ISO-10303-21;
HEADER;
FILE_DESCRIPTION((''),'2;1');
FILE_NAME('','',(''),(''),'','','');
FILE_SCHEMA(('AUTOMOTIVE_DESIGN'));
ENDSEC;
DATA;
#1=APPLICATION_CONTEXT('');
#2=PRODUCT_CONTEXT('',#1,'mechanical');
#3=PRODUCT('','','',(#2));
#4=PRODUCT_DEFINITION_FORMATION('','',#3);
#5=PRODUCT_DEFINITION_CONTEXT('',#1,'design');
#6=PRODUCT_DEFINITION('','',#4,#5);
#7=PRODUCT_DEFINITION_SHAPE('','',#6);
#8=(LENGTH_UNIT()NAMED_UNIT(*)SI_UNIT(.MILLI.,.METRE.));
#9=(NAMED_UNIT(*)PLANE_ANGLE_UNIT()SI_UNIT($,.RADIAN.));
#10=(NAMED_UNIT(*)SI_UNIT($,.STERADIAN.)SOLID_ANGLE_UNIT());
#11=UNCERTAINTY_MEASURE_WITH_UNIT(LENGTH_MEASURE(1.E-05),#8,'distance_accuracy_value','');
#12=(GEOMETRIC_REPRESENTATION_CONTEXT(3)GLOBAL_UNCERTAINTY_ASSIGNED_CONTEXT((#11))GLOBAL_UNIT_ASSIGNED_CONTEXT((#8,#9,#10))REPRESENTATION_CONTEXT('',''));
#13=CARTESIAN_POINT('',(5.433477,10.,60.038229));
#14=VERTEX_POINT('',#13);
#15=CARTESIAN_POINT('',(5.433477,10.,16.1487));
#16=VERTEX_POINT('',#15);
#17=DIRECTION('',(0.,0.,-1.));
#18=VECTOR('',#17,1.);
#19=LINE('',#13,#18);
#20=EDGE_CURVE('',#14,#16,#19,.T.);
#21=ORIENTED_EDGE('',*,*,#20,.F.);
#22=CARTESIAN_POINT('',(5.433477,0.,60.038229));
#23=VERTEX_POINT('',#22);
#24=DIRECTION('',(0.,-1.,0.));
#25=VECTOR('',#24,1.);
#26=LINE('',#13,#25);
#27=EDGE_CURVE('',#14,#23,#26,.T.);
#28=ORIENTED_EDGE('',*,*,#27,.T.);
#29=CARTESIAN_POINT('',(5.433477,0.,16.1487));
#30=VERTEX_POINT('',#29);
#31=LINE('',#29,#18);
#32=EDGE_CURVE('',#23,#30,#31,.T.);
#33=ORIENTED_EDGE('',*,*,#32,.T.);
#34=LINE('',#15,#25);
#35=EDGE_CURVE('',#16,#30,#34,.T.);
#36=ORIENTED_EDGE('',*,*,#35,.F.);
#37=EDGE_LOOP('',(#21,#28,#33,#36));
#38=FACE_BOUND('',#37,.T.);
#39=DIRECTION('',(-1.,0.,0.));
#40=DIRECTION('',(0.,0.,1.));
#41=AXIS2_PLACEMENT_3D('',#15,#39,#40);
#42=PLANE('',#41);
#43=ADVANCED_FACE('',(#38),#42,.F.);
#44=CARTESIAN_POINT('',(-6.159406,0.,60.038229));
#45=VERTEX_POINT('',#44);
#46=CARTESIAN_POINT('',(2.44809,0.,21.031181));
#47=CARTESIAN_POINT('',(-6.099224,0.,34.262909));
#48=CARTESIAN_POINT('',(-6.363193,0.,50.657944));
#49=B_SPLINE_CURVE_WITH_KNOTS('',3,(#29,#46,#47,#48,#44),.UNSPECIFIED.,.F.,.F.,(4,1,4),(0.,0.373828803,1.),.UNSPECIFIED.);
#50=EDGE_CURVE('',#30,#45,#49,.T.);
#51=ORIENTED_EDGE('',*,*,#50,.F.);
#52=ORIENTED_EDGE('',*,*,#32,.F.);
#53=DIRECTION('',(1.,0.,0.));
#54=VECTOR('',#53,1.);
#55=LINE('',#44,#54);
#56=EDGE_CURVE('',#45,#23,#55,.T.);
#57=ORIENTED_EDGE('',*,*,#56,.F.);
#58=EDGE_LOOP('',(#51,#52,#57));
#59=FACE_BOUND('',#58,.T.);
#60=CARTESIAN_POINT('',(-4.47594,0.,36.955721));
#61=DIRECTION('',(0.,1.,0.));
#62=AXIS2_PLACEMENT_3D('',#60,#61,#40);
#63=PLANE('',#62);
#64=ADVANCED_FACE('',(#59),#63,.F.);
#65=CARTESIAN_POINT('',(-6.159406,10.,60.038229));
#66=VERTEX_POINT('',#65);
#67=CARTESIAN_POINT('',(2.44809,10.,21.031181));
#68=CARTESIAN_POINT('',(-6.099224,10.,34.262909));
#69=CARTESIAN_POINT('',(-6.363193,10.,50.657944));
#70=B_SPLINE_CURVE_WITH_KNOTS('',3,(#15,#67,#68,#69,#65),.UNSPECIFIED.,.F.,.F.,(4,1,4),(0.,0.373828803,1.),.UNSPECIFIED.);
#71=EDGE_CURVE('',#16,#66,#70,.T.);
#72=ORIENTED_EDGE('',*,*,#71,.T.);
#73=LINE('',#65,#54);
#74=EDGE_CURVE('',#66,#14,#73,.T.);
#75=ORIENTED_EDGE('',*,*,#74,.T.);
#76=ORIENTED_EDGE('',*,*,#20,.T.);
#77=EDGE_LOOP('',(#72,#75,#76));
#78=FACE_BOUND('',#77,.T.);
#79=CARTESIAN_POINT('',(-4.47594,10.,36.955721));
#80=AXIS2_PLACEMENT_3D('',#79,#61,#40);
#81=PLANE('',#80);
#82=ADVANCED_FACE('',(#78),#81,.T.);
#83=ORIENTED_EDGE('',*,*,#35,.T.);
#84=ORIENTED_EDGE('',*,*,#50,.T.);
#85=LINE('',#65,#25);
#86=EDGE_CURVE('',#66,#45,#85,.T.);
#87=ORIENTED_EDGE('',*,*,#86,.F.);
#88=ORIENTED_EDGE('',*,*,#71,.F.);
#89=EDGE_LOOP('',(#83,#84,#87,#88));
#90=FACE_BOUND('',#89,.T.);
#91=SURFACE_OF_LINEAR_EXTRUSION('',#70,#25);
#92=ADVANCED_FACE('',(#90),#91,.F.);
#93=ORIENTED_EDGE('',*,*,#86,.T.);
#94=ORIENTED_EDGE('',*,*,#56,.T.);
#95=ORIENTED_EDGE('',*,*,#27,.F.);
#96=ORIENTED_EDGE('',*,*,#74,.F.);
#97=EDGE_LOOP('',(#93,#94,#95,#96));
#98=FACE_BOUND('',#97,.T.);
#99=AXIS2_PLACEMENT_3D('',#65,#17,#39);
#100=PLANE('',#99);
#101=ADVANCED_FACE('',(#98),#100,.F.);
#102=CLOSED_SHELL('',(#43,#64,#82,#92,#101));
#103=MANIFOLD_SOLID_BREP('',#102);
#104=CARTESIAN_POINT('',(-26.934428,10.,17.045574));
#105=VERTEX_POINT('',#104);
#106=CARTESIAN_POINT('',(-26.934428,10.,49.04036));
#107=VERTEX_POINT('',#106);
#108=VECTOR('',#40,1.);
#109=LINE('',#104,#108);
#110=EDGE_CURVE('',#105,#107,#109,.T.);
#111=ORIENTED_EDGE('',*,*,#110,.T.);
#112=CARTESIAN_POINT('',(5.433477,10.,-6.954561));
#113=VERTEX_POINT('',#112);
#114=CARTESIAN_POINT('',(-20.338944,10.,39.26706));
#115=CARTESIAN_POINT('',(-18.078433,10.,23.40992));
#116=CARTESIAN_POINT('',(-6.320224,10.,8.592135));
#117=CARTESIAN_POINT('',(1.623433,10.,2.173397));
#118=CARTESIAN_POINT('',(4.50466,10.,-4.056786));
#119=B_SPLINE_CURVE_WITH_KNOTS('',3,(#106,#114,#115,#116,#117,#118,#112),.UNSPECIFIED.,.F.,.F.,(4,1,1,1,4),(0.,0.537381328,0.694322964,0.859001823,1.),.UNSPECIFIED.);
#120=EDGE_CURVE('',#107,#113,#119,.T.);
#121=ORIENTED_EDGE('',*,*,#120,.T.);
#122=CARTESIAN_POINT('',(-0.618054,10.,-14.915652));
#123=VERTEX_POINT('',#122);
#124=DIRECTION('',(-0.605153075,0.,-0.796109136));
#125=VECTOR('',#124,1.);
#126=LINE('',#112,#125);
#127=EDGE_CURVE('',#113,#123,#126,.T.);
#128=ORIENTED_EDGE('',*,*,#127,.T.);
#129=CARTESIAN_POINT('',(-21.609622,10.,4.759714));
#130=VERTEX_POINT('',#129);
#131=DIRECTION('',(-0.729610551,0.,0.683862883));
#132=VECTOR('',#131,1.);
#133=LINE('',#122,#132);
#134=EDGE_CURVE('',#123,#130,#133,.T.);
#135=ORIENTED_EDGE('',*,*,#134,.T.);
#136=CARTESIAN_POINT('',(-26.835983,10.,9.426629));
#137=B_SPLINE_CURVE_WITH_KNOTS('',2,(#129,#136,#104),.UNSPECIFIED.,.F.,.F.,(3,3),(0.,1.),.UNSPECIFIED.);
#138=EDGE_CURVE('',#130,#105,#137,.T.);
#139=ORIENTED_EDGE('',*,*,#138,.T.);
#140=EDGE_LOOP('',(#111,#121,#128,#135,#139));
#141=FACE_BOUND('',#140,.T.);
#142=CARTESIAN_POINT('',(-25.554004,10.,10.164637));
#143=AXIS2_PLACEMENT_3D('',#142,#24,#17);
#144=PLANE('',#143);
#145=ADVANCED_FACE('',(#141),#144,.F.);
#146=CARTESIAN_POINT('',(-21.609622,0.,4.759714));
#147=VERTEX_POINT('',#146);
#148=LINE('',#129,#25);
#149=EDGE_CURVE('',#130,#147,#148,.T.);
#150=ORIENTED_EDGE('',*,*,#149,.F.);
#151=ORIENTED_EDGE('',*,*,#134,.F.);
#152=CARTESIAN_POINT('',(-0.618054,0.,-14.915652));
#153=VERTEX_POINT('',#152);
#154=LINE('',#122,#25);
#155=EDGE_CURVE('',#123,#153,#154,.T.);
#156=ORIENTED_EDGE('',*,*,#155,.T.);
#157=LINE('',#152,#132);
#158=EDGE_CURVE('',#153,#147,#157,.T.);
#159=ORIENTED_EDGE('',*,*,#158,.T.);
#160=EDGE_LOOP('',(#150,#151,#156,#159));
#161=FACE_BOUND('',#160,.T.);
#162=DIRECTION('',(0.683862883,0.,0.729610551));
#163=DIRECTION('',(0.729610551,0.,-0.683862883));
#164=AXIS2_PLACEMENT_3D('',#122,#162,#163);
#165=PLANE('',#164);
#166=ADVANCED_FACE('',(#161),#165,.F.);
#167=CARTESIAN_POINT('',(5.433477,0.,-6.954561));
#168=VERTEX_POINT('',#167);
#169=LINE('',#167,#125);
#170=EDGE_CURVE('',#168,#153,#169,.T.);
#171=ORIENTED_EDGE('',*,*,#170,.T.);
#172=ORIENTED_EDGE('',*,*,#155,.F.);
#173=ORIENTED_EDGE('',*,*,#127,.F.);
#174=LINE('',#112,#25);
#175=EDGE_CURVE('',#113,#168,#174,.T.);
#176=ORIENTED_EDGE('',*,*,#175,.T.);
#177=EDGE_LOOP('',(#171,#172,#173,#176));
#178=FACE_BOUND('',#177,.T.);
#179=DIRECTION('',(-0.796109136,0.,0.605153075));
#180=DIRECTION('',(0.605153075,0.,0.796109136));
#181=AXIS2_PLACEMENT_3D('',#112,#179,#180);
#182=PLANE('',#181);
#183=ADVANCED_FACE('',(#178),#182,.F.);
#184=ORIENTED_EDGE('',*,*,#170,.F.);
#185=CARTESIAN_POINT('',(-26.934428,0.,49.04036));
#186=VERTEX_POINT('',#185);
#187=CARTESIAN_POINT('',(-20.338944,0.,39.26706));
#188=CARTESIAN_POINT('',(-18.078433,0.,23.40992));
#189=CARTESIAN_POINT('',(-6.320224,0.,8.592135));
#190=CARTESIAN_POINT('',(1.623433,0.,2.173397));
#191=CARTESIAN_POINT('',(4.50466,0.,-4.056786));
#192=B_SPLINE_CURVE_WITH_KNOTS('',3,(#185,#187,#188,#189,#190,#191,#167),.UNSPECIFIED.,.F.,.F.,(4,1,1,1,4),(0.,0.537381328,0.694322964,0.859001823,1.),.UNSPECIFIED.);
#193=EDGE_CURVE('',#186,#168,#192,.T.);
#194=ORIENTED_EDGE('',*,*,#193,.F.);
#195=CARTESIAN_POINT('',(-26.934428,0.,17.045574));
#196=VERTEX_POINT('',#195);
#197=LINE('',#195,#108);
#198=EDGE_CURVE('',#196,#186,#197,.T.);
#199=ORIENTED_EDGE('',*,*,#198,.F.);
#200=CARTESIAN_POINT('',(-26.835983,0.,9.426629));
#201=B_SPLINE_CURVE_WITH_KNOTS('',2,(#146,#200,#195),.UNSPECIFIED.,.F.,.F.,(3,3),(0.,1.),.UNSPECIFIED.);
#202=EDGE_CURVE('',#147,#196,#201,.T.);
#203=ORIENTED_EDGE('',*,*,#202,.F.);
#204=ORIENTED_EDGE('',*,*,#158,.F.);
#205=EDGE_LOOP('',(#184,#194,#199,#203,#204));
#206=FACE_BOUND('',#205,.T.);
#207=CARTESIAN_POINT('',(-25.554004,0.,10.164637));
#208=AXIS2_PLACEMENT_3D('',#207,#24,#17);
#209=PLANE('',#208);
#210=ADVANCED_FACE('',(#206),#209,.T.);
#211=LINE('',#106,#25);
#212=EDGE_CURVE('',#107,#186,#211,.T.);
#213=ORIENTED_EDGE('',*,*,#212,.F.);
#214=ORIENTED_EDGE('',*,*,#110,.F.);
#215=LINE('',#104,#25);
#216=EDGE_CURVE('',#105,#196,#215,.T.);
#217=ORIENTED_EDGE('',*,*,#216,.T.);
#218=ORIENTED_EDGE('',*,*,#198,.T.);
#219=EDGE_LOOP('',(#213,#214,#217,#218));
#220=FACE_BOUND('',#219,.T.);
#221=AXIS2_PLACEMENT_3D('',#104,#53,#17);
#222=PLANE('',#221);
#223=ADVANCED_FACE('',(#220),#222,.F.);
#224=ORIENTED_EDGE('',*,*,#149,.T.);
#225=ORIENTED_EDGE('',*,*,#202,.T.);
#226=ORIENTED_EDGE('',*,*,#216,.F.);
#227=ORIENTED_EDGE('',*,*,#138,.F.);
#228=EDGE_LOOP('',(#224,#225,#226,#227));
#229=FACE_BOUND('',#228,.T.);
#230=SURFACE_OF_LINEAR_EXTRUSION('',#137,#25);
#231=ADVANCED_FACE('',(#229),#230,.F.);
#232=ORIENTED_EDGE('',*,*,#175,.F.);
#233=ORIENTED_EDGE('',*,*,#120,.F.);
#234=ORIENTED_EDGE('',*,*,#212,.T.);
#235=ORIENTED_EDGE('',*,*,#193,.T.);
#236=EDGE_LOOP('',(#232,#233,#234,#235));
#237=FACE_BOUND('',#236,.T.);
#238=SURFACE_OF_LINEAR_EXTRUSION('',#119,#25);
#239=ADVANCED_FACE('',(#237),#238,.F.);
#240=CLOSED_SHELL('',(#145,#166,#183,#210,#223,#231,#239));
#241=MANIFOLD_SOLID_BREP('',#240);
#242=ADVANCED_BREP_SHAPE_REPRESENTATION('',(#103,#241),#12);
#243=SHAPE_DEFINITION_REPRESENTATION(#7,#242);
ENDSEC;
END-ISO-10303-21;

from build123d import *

# Parameters (mm, degrees)
BOSS_EXTRUDE1_DEPTH   = 10
BOSS_EXTRUDE1_2_DEPTH = 10


with BuildPart() as part:
    # Sketch1 → Boss-Extrude1 (new body)
    with BuildSketch(Plane(origin=(0, 0, 0), x_dir=(1, 0, 0), z_dir=(0, 1, 0))):
        with BuildLine():
            Line((5.433476937, -16.148700246), (5.433476937, -40.48083774))
            Line((5.433476937, -40.48083774), (5.433476937, -60.038229021))
            Line((5.433476937, -60.038229021), (-6.1594063, -60.038229021))
            add(Edge.make_bspline(
                [(5.433476937, -16.148700246), (2.448089637, -21.031180775), (-6.099224191, -34.262909027), (-6.363193197, -50.657943667), (-6.1594063, -60.038229021)],
                knots=[0, 0, 0, 0, 0.373828803, 1, 1, 1, 1], degree=3))
        make_face()
    extrude(amount=BOSS_EXTRUDE1_DEPTH)


with BuildPart() as body_2:
    # Sketch1 → Boss-Extrude1 2 (new body)
    with BuildSketch(Plane(origin=(0, 0, 0), x_dir=(1, 0, 0), z_dir=(0, 1, 0))):
        with BuildLine():
            Line((5.433476937, 6.95456054), (-0.618053814, 14.915651895))
            Line((-0.618053814, 14.915651895), (-21.609622, -4.759713708))
            add(Edge.make_bspline(
                [(-21.609622, -4.759713708), (-26.835982818, -9.42662947), (-26.934428436, -17.04557435)],
                knots=[0, 0, 0, 1, 1, 1], degree=2))
            Line((-26.934428436, -17.04557435), (-26.934428436, -49.040359802))
            add(Edge.make_bspline(
                [(5.433476937, 6.95456054), (4.504660032, 4.056786226), (1.623432731, -2.173396893), (-6.320224408, -8.592135406), (-18.078432993, -23.409919855), (-20.338944488, -39.267059515), (-26.934428436, -49.040359802)],
                knots=[0, 0, 0, 0, 0.140998177, 0.305677036, 0.462618672, 1, 1, 1, 1], degree=3))
        make_face()
    extrude(amount=BOSS_EXTRUDE1_2_DEPTH)


solid = Compound([part.part, body_2.part])
